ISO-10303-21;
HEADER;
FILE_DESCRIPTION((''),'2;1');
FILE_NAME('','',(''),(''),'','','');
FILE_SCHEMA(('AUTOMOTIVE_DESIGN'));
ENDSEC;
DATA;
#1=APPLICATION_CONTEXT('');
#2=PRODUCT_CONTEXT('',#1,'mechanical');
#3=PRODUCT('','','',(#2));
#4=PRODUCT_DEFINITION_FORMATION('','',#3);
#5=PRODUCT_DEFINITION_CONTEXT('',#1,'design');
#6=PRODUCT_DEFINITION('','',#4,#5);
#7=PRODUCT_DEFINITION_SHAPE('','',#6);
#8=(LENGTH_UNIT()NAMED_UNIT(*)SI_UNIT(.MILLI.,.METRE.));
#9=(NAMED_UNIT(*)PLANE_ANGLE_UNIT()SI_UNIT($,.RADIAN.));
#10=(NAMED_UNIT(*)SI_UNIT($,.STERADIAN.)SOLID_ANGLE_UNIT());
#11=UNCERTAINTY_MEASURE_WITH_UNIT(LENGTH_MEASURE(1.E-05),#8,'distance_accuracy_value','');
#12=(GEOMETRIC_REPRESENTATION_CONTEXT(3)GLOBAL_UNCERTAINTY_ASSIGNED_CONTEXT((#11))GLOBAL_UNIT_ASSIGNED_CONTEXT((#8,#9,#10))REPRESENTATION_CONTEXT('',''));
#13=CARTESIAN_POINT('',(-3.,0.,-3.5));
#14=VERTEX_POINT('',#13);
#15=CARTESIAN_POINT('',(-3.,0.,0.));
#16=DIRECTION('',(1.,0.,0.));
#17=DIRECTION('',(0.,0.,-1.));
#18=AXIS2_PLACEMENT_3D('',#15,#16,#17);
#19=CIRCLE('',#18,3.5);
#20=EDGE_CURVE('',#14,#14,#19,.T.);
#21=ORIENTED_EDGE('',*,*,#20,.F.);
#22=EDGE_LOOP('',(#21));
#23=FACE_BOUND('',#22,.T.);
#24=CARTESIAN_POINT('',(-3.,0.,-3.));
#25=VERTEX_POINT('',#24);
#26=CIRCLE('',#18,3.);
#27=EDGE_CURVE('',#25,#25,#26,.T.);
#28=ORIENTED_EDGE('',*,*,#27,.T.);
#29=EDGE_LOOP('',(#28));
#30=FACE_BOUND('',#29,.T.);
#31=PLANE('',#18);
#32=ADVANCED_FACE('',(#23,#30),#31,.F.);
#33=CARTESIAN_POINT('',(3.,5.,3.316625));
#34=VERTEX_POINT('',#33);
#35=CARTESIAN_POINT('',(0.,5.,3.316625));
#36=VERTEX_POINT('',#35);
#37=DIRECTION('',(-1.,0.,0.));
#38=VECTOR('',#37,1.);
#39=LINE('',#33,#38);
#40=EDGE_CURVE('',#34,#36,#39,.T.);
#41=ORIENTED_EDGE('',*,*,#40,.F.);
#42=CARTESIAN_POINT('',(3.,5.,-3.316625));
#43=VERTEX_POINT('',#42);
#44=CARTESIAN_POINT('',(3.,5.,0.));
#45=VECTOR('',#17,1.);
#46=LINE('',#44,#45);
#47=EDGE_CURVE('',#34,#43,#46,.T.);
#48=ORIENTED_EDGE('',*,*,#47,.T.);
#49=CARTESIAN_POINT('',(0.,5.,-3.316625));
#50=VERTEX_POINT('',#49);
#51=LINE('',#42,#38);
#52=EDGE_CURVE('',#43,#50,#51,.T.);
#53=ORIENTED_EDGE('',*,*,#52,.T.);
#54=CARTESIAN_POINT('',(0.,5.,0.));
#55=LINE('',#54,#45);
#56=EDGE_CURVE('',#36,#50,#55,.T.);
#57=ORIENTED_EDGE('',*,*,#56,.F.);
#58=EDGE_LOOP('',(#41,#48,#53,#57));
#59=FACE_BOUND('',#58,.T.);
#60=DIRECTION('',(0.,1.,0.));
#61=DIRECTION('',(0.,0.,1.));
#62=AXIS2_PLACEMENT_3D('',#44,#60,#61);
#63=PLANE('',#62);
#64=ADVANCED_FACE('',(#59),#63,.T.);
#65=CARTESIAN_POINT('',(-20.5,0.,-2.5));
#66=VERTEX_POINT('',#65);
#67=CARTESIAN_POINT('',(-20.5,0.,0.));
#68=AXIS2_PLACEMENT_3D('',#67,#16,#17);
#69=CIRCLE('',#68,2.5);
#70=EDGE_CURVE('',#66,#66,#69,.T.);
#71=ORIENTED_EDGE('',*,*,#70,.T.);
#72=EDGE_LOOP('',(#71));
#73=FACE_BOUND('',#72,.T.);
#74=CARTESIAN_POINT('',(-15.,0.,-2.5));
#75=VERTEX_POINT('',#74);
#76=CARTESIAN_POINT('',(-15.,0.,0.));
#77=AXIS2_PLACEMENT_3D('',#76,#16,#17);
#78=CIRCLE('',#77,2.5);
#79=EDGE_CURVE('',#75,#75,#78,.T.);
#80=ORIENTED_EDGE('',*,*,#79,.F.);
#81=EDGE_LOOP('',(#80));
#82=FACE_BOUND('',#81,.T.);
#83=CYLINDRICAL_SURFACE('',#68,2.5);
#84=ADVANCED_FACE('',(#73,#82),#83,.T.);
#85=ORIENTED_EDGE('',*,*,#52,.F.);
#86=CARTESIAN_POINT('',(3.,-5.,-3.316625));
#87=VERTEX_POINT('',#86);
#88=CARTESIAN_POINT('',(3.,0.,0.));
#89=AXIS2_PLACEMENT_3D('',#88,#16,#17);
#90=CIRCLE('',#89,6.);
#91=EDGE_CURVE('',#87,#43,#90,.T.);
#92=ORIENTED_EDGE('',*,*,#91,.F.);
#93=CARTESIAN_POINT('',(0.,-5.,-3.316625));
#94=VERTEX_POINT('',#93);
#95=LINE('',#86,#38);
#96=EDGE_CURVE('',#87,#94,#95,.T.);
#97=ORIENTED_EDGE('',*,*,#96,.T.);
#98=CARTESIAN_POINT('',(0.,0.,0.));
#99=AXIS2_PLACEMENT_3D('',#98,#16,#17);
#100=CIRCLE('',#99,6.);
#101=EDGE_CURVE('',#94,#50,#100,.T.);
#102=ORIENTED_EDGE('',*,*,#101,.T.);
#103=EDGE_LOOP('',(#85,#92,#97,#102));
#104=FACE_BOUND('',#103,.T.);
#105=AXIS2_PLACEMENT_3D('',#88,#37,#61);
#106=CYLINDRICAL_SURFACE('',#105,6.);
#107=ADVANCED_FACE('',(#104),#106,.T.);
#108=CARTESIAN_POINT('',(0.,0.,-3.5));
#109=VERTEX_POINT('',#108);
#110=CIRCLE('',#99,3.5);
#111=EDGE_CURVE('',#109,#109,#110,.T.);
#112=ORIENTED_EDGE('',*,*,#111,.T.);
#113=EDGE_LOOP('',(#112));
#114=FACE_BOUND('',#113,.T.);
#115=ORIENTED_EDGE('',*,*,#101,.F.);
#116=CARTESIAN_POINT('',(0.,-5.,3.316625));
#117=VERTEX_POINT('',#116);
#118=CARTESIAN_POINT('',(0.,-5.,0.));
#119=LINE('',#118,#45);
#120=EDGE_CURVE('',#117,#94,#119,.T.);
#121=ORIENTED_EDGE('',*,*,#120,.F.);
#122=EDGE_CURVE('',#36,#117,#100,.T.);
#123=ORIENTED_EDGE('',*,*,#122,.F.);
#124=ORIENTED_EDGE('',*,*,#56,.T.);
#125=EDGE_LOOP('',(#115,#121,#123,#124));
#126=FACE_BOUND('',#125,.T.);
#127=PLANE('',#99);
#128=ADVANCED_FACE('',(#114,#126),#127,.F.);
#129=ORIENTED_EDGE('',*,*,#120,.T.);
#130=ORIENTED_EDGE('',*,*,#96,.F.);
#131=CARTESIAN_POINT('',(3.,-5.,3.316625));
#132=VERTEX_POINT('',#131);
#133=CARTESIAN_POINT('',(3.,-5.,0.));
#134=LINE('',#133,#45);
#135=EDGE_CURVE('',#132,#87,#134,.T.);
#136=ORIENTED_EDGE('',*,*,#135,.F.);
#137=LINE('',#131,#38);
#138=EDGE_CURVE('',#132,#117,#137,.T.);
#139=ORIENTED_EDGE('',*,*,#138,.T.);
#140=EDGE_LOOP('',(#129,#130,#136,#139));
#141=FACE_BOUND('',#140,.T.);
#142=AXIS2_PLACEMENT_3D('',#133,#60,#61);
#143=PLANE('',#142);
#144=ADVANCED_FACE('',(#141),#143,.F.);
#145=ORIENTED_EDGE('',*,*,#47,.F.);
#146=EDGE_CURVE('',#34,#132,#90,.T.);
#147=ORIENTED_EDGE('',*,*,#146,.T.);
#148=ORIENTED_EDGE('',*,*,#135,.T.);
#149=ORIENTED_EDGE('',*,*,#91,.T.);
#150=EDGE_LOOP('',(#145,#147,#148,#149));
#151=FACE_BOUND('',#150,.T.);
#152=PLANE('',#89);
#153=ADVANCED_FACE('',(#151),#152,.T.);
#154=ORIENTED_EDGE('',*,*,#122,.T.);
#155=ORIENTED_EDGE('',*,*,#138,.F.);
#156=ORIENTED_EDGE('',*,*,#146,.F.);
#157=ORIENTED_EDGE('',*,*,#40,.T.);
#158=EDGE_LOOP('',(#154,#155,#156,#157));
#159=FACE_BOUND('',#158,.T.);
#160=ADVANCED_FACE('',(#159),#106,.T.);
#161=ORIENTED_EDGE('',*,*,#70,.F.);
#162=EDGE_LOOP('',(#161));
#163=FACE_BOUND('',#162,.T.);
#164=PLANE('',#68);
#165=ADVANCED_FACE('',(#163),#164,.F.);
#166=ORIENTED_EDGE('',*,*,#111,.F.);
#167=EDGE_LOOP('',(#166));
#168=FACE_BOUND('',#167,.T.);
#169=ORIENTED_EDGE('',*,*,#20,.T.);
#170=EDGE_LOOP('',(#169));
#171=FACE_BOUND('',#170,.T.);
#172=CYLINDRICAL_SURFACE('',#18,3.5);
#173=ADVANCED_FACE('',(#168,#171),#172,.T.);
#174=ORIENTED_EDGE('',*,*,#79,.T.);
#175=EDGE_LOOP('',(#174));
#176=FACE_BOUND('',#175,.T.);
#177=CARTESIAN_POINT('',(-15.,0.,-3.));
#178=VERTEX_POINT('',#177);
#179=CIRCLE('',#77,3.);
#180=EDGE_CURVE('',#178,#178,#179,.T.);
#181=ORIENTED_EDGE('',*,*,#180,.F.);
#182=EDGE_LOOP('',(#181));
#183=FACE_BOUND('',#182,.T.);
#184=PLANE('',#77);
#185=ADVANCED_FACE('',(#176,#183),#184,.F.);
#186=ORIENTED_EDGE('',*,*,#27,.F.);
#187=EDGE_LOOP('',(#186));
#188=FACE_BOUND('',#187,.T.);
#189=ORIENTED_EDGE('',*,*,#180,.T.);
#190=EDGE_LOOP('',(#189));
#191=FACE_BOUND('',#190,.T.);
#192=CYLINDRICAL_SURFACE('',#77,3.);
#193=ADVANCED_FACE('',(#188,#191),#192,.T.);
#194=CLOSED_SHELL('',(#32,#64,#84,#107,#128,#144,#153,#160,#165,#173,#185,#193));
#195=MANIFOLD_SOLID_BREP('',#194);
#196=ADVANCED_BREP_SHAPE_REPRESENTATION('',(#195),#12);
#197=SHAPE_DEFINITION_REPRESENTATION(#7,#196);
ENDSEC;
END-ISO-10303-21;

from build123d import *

# Parameters (mm, degrees)
BOSS_EXTRUDE1_DEPTH = 3
BOSS_EXTRUDE2_DEPTH = 15
BOSS_EXTRUDE3_DEPTH = 20.5
BOSS_EXTRUDE4_DEPTH = 3


with BuildPart() as part:
    # Sketch2 → Boss-Extrude1 (new body)
    with BuildSketch(Plane(origin=(0, 0, 0), x_dir=(0, 0, -1), z_dir=(1, 0, 0))):
        with BuildLine():
            Line((3.31662479, 5), (-3.31662479, 5))
            ThreePointArc((-3.31662479, 5), (-5.286764074, 2.837274331), (-6, 0))
            ThreePointArc((-6, 0), (-5.286764074, -2.837274331), (-3.31662479, -5))
            Line((-3.31662479, -5), (3.31662479, -5))
            ThreePointArc((3.31662479, -5), (6, 0), (3.31662479, 5))
        make_face()
    extrude(amount=BOSS_EXTRUDE1_DEPTH)

    # Sketch2<4> → Boss-Extrude2 (add)
    with BuildSketch(Plane(origin=(0, 0, 0), x_dir=(0, 0, -1), z_dir=(1, 0, 0))):
        with BuildLine():
            ThreePointArc((3, 0), (0, 3), (-3, 0))
            ThreePointArc((-3, 0), (0, -3), (3, 0))
        make_face()
        with BuildLine():
            ThreePointArc((2.5, 0), (0, -2.5), (-2.5, 0))
            ThreePointArc((-2.5, 0), (0, 2.5), (2.5, 0))
        make_face(mode=Mode.SUBTRACT)
    extrude(amount=-BOSS_EXTRUDE2_DEPTH)

    # Sketch2<5> → Boss-Extrude3 (add)
    with BuildSketch(Plane(origin=(0, 0, 0), x_dir=(0, 0, -1), z_dir=(1, 0, 0))):
        with BuildLine():
            ThreePointArc((2.5, 0), (0, 2.5), (-2.5, 0))
            ThreePointArc((-2.5, 0), (0, -2.5), (2.5, 0))
        make_face()
    extrude(amount=-BOSS_EXTRUDE3_DEPTH)

    # Sketch2<6> → Boss-Extrude4 (add)
    with BuildSketch(Plane(origin=(0, 0, 0), x_dir=(0, 0, -1), z_dir=(1, 0, 0))):
        with BuildLine():
            ThreePointArc((3.5, 0), (0, 3.5), (-3.5, 0))
            ThreePointArc((-3.5, 0), (0, -3.5), (3.5, 0))
        make_face()
        with BuildLine():
            ThreePointArc((3, 0), (0, -3), (-3, 0))
            ThreePointArc((-3, 0), (0, 3), (3, 0))
        make_face(mode=Mode.SUBTRACT)
    extrude(amount=-BOSS_EXTRUDE4_DEPTH)


solid = part.part
